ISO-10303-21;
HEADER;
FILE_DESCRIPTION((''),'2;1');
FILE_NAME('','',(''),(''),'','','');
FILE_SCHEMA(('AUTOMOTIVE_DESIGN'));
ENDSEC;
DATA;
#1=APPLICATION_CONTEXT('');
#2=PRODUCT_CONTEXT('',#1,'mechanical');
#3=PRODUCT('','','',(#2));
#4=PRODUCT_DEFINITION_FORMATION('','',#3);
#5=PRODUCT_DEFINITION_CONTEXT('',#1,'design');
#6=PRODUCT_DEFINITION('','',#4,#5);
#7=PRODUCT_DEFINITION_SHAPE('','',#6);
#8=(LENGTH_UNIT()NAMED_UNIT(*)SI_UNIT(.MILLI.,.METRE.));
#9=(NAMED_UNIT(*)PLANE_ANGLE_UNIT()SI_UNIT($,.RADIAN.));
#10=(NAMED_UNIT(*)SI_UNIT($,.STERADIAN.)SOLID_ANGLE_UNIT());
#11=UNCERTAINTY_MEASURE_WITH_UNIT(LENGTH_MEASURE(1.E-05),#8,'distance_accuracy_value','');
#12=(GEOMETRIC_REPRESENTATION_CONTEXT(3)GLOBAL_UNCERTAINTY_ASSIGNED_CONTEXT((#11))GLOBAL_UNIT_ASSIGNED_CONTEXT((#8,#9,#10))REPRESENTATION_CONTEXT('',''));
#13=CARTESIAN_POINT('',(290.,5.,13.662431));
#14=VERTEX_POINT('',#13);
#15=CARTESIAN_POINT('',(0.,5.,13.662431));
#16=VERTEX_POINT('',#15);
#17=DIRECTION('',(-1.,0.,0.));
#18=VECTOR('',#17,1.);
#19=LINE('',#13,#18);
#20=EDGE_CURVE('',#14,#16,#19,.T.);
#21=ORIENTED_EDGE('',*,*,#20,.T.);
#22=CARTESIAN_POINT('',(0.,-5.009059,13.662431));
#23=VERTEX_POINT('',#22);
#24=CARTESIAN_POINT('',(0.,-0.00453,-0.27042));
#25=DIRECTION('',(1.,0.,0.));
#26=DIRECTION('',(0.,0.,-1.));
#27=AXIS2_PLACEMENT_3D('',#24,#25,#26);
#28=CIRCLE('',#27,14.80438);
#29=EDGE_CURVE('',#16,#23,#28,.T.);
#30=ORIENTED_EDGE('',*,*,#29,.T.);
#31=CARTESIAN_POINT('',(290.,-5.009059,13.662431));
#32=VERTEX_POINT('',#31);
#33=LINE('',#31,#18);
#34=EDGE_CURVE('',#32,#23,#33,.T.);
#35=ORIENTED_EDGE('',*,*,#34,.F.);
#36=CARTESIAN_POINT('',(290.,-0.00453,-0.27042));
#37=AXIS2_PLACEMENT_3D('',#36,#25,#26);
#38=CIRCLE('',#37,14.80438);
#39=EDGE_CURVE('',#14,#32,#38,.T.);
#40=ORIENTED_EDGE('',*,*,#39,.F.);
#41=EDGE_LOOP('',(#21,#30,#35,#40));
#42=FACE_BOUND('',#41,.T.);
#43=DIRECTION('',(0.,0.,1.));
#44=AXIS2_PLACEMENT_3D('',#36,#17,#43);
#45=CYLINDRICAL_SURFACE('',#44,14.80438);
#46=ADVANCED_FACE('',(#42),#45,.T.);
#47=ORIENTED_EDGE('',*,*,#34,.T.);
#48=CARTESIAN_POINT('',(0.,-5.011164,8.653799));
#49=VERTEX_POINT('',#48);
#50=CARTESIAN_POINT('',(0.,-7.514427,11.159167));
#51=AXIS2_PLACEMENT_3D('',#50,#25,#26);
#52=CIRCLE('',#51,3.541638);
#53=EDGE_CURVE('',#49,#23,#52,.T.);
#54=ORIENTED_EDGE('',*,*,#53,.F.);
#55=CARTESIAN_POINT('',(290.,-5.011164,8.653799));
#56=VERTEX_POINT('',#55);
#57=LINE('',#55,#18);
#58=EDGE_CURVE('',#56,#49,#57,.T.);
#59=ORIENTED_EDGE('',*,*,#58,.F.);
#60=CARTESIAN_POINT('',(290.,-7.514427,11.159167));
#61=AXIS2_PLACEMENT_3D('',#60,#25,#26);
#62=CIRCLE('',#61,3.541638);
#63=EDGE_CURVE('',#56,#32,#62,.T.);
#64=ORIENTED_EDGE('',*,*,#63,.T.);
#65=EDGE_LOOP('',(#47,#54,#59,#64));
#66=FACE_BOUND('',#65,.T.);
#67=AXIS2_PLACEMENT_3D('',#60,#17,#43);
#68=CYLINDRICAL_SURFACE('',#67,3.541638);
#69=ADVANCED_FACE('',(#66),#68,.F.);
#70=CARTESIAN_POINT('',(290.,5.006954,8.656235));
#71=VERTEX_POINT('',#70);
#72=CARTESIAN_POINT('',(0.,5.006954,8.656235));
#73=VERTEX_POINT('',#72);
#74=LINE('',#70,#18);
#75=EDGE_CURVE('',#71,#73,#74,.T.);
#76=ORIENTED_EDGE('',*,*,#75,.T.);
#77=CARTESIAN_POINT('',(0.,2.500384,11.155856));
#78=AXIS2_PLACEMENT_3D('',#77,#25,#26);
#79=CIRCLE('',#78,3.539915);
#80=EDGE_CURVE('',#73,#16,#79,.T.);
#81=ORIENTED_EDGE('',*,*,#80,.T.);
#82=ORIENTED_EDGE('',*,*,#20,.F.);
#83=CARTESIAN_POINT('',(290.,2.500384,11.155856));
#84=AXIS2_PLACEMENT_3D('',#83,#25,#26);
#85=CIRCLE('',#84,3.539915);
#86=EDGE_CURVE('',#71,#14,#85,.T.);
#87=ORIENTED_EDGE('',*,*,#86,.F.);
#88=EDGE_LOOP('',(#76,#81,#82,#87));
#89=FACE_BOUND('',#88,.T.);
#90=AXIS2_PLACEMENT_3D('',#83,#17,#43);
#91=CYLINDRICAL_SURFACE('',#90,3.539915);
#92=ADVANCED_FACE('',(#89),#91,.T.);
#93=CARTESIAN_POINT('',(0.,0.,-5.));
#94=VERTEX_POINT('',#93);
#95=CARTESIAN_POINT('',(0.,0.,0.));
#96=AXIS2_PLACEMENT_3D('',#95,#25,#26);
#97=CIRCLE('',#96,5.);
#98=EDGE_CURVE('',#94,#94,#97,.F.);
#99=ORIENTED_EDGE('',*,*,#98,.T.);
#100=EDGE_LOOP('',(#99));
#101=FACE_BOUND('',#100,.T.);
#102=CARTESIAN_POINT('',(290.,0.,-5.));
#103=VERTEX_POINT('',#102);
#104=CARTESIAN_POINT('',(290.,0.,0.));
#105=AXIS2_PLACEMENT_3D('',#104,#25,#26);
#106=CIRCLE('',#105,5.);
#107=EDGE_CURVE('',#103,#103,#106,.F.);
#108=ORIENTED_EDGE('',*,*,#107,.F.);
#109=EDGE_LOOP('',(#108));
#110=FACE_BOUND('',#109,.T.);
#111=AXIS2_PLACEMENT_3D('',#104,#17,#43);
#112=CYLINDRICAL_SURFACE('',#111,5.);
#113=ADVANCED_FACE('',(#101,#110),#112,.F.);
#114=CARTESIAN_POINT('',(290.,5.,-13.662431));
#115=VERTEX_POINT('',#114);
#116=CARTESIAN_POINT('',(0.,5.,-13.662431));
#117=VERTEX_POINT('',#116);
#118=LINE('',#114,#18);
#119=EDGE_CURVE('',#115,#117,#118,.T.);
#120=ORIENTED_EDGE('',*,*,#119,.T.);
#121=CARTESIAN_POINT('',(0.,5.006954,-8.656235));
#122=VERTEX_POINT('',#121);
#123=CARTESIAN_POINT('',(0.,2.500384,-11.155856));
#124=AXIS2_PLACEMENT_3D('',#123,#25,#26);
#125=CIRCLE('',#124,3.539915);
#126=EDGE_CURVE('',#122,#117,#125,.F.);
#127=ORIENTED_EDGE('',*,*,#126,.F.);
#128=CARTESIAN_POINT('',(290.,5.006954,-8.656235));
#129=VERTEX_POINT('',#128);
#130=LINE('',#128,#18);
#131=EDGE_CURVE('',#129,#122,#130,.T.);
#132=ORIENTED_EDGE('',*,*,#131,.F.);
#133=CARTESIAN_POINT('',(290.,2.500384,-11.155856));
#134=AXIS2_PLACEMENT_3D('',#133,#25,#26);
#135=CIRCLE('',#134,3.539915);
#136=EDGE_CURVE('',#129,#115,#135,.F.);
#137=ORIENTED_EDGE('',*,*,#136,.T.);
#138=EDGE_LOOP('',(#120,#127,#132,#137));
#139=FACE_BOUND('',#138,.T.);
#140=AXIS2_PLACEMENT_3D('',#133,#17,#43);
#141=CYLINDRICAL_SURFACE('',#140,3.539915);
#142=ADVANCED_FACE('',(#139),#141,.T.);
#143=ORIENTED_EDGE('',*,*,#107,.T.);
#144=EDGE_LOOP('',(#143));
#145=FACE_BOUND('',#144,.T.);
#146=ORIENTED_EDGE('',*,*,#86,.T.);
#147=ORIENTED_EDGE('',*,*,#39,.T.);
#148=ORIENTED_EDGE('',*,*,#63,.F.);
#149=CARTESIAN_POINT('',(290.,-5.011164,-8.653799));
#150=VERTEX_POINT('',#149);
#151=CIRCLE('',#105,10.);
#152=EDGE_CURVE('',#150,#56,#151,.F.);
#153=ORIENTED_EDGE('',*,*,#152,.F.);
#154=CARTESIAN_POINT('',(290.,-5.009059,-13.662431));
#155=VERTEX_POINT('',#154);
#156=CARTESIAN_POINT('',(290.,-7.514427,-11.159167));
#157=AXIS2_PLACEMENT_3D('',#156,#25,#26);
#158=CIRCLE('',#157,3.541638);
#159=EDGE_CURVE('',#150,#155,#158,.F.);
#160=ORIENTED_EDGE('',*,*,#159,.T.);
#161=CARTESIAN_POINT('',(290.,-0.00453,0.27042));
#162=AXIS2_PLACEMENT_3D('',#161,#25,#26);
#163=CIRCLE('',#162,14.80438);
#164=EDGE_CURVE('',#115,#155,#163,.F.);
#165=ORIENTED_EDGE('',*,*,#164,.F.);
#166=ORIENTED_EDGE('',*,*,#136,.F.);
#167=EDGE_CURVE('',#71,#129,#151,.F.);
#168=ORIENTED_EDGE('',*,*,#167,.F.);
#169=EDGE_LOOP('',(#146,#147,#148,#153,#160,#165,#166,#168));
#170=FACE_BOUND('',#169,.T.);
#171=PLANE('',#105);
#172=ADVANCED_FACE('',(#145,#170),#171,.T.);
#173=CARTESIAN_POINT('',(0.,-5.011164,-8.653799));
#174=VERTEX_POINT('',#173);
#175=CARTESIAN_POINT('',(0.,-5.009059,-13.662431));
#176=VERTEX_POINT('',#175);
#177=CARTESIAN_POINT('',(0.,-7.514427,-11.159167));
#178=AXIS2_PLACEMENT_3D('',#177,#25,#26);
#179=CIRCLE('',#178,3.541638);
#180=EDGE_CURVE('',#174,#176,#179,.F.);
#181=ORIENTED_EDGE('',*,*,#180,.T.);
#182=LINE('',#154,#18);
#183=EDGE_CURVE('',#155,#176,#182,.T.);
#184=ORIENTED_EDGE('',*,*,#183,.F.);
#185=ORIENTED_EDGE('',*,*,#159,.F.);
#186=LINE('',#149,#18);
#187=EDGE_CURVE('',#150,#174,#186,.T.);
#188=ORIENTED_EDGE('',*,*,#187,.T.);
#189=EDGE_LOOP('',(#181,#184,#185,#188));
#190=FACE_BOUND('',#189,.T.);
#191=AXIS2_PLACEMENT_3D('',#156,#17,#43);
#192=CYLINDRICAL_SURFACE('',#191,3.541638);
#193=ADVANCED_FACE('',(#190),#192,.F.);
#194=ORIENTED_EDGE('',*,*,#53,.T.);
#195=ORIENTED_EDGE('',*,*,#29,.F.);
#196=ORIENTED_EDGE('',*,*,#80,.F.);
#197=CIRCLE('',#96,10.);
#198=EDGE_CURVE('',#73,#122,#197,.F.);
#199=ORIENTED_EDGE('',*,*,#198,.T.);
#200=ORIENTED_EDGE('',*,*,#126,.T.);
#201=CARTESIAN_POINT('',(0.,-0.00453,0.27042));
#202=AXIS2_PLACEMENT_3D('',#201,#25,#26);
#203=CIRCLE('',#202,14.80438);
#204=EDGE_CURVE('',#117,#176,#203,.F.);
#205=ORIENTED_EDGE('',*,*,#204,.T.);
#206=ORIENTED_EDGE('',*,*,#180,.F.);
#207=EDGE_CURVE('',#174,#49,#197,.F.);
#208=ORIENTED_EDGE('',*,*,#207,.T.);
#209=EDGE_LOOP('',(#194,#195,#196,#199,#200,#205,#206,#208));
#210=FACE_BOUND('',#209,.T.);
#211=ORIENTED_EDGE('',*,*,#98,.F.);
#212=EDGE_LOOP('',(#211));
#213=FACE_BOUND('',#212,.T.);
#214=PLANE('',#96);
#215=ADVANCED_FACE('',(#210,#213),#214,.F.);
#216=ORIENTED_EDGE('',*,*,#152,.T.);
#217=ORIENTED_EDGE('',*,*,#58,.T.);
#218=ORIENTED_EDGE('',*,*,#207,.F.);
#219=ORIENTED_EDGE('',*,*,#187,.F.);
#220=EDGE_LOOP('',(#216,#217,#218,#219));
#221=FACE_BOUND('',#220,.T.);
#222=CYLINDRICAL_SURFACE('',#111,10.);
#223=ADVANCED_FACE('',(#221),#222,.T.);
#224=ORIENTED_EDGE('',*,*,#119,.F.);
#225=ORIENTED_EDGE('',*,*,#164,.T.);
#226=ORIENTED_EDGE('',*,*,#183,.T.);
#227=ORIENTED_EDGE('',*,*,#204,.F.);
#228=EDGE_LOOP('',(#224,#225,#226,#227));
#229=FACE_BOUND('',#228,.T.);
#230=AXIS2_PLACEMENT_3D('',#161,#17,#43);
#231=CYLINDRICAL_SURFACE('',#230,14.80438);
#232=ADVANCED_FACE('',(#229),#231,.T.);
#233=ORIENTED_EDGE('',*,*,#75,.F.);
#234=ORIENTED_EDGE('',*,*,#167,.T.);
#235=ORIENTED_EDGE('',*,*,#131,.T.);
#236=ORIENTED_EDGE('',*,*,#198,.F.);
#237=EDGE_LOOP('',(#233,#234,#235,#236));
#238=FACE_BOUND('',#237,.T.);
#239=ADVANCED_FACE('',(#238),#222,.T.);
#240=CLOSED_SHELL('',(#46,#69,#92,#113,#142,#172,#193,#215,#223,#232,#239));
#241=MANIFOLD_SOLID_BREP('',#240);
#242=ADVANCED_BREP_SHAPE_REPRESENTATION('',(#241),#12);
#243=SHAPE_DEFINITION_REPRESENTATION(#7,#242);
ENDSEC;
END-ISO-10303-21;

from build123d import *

# Parameters (mm, degrees)
SKETCH1_R           = 10
SKETCH1_R_2         = 5
BOSS_EXTRUDE1_DEPTH = 290


with BuildPart() as part:
    # Sketch1 → Boss-Extrude1 (new body)
    # profile 1 of 3: a face of its own
    with BuildSketch(Plane(origin=(0, 0, 0), x_dir=(0, 0, -1), z_dir=(1, 0, 0))):
        Circle(SKETCH1_R)
        Circle(SKETCH1_R_2, mode=Mode.SUBTRACT)
    # profile 2 of 3: a face of its own
    with BuildSketch(Plane(origin=(0, 0, 0), x_dir=(0, 0, -1), z_dir=(1, 0, 0))):
        with BuildLine():
            ThreePointArc((8.656235338, 5.006954141), (9.658218091, 2.59206931), (10, 0))
            ThreePointArc((10, 0), (9.657587422, -2.594418084), (8.653798961, -5.011163891))
            ThreePointArc((8.653798961, -5.011163891), (11.157678989, -3.972789688), (13.662430885, -5.009059016))
            ThreePointArc((13.662430885, -5.009059016), (14.533959389, -0.004529508), (13.662430885, 5))
            ThreePointArc((13.662430885, 5), (11.160773363, 6.040295531), (8.656235338, 5.006954141))
        make_face()
    # profile 3 of 3: a face of its own
    with BuildSketch(Plane(origin=(0, 0, 0), x_dir=(0, 0, -1), z_dir=(1, 0, 0))):
        with BuildLine():
            ThreePointArc((-8.653798961, -5.011163891), (-9.999999704, -0.002431971), (-8.656235338, 5.006954141))
            ThreePointArc((-8.656235338, 5.006954141), (-11.160773363, 6.040295531), (-13.662430885, 5))
            ThreePointArc((-13.662430885, 5), (-14.533959389, -0.004529508), (-13.662430885, -5.009059016))
            ThreePointArc((-13.662430885, -5.009059016), (-11.157678989, -3.972789688), (-8.653798961, -5.011163891))
        make_face()
    extrude(amount=BOSS_EXTRUDE1_DEPTH)


solid = part.part
